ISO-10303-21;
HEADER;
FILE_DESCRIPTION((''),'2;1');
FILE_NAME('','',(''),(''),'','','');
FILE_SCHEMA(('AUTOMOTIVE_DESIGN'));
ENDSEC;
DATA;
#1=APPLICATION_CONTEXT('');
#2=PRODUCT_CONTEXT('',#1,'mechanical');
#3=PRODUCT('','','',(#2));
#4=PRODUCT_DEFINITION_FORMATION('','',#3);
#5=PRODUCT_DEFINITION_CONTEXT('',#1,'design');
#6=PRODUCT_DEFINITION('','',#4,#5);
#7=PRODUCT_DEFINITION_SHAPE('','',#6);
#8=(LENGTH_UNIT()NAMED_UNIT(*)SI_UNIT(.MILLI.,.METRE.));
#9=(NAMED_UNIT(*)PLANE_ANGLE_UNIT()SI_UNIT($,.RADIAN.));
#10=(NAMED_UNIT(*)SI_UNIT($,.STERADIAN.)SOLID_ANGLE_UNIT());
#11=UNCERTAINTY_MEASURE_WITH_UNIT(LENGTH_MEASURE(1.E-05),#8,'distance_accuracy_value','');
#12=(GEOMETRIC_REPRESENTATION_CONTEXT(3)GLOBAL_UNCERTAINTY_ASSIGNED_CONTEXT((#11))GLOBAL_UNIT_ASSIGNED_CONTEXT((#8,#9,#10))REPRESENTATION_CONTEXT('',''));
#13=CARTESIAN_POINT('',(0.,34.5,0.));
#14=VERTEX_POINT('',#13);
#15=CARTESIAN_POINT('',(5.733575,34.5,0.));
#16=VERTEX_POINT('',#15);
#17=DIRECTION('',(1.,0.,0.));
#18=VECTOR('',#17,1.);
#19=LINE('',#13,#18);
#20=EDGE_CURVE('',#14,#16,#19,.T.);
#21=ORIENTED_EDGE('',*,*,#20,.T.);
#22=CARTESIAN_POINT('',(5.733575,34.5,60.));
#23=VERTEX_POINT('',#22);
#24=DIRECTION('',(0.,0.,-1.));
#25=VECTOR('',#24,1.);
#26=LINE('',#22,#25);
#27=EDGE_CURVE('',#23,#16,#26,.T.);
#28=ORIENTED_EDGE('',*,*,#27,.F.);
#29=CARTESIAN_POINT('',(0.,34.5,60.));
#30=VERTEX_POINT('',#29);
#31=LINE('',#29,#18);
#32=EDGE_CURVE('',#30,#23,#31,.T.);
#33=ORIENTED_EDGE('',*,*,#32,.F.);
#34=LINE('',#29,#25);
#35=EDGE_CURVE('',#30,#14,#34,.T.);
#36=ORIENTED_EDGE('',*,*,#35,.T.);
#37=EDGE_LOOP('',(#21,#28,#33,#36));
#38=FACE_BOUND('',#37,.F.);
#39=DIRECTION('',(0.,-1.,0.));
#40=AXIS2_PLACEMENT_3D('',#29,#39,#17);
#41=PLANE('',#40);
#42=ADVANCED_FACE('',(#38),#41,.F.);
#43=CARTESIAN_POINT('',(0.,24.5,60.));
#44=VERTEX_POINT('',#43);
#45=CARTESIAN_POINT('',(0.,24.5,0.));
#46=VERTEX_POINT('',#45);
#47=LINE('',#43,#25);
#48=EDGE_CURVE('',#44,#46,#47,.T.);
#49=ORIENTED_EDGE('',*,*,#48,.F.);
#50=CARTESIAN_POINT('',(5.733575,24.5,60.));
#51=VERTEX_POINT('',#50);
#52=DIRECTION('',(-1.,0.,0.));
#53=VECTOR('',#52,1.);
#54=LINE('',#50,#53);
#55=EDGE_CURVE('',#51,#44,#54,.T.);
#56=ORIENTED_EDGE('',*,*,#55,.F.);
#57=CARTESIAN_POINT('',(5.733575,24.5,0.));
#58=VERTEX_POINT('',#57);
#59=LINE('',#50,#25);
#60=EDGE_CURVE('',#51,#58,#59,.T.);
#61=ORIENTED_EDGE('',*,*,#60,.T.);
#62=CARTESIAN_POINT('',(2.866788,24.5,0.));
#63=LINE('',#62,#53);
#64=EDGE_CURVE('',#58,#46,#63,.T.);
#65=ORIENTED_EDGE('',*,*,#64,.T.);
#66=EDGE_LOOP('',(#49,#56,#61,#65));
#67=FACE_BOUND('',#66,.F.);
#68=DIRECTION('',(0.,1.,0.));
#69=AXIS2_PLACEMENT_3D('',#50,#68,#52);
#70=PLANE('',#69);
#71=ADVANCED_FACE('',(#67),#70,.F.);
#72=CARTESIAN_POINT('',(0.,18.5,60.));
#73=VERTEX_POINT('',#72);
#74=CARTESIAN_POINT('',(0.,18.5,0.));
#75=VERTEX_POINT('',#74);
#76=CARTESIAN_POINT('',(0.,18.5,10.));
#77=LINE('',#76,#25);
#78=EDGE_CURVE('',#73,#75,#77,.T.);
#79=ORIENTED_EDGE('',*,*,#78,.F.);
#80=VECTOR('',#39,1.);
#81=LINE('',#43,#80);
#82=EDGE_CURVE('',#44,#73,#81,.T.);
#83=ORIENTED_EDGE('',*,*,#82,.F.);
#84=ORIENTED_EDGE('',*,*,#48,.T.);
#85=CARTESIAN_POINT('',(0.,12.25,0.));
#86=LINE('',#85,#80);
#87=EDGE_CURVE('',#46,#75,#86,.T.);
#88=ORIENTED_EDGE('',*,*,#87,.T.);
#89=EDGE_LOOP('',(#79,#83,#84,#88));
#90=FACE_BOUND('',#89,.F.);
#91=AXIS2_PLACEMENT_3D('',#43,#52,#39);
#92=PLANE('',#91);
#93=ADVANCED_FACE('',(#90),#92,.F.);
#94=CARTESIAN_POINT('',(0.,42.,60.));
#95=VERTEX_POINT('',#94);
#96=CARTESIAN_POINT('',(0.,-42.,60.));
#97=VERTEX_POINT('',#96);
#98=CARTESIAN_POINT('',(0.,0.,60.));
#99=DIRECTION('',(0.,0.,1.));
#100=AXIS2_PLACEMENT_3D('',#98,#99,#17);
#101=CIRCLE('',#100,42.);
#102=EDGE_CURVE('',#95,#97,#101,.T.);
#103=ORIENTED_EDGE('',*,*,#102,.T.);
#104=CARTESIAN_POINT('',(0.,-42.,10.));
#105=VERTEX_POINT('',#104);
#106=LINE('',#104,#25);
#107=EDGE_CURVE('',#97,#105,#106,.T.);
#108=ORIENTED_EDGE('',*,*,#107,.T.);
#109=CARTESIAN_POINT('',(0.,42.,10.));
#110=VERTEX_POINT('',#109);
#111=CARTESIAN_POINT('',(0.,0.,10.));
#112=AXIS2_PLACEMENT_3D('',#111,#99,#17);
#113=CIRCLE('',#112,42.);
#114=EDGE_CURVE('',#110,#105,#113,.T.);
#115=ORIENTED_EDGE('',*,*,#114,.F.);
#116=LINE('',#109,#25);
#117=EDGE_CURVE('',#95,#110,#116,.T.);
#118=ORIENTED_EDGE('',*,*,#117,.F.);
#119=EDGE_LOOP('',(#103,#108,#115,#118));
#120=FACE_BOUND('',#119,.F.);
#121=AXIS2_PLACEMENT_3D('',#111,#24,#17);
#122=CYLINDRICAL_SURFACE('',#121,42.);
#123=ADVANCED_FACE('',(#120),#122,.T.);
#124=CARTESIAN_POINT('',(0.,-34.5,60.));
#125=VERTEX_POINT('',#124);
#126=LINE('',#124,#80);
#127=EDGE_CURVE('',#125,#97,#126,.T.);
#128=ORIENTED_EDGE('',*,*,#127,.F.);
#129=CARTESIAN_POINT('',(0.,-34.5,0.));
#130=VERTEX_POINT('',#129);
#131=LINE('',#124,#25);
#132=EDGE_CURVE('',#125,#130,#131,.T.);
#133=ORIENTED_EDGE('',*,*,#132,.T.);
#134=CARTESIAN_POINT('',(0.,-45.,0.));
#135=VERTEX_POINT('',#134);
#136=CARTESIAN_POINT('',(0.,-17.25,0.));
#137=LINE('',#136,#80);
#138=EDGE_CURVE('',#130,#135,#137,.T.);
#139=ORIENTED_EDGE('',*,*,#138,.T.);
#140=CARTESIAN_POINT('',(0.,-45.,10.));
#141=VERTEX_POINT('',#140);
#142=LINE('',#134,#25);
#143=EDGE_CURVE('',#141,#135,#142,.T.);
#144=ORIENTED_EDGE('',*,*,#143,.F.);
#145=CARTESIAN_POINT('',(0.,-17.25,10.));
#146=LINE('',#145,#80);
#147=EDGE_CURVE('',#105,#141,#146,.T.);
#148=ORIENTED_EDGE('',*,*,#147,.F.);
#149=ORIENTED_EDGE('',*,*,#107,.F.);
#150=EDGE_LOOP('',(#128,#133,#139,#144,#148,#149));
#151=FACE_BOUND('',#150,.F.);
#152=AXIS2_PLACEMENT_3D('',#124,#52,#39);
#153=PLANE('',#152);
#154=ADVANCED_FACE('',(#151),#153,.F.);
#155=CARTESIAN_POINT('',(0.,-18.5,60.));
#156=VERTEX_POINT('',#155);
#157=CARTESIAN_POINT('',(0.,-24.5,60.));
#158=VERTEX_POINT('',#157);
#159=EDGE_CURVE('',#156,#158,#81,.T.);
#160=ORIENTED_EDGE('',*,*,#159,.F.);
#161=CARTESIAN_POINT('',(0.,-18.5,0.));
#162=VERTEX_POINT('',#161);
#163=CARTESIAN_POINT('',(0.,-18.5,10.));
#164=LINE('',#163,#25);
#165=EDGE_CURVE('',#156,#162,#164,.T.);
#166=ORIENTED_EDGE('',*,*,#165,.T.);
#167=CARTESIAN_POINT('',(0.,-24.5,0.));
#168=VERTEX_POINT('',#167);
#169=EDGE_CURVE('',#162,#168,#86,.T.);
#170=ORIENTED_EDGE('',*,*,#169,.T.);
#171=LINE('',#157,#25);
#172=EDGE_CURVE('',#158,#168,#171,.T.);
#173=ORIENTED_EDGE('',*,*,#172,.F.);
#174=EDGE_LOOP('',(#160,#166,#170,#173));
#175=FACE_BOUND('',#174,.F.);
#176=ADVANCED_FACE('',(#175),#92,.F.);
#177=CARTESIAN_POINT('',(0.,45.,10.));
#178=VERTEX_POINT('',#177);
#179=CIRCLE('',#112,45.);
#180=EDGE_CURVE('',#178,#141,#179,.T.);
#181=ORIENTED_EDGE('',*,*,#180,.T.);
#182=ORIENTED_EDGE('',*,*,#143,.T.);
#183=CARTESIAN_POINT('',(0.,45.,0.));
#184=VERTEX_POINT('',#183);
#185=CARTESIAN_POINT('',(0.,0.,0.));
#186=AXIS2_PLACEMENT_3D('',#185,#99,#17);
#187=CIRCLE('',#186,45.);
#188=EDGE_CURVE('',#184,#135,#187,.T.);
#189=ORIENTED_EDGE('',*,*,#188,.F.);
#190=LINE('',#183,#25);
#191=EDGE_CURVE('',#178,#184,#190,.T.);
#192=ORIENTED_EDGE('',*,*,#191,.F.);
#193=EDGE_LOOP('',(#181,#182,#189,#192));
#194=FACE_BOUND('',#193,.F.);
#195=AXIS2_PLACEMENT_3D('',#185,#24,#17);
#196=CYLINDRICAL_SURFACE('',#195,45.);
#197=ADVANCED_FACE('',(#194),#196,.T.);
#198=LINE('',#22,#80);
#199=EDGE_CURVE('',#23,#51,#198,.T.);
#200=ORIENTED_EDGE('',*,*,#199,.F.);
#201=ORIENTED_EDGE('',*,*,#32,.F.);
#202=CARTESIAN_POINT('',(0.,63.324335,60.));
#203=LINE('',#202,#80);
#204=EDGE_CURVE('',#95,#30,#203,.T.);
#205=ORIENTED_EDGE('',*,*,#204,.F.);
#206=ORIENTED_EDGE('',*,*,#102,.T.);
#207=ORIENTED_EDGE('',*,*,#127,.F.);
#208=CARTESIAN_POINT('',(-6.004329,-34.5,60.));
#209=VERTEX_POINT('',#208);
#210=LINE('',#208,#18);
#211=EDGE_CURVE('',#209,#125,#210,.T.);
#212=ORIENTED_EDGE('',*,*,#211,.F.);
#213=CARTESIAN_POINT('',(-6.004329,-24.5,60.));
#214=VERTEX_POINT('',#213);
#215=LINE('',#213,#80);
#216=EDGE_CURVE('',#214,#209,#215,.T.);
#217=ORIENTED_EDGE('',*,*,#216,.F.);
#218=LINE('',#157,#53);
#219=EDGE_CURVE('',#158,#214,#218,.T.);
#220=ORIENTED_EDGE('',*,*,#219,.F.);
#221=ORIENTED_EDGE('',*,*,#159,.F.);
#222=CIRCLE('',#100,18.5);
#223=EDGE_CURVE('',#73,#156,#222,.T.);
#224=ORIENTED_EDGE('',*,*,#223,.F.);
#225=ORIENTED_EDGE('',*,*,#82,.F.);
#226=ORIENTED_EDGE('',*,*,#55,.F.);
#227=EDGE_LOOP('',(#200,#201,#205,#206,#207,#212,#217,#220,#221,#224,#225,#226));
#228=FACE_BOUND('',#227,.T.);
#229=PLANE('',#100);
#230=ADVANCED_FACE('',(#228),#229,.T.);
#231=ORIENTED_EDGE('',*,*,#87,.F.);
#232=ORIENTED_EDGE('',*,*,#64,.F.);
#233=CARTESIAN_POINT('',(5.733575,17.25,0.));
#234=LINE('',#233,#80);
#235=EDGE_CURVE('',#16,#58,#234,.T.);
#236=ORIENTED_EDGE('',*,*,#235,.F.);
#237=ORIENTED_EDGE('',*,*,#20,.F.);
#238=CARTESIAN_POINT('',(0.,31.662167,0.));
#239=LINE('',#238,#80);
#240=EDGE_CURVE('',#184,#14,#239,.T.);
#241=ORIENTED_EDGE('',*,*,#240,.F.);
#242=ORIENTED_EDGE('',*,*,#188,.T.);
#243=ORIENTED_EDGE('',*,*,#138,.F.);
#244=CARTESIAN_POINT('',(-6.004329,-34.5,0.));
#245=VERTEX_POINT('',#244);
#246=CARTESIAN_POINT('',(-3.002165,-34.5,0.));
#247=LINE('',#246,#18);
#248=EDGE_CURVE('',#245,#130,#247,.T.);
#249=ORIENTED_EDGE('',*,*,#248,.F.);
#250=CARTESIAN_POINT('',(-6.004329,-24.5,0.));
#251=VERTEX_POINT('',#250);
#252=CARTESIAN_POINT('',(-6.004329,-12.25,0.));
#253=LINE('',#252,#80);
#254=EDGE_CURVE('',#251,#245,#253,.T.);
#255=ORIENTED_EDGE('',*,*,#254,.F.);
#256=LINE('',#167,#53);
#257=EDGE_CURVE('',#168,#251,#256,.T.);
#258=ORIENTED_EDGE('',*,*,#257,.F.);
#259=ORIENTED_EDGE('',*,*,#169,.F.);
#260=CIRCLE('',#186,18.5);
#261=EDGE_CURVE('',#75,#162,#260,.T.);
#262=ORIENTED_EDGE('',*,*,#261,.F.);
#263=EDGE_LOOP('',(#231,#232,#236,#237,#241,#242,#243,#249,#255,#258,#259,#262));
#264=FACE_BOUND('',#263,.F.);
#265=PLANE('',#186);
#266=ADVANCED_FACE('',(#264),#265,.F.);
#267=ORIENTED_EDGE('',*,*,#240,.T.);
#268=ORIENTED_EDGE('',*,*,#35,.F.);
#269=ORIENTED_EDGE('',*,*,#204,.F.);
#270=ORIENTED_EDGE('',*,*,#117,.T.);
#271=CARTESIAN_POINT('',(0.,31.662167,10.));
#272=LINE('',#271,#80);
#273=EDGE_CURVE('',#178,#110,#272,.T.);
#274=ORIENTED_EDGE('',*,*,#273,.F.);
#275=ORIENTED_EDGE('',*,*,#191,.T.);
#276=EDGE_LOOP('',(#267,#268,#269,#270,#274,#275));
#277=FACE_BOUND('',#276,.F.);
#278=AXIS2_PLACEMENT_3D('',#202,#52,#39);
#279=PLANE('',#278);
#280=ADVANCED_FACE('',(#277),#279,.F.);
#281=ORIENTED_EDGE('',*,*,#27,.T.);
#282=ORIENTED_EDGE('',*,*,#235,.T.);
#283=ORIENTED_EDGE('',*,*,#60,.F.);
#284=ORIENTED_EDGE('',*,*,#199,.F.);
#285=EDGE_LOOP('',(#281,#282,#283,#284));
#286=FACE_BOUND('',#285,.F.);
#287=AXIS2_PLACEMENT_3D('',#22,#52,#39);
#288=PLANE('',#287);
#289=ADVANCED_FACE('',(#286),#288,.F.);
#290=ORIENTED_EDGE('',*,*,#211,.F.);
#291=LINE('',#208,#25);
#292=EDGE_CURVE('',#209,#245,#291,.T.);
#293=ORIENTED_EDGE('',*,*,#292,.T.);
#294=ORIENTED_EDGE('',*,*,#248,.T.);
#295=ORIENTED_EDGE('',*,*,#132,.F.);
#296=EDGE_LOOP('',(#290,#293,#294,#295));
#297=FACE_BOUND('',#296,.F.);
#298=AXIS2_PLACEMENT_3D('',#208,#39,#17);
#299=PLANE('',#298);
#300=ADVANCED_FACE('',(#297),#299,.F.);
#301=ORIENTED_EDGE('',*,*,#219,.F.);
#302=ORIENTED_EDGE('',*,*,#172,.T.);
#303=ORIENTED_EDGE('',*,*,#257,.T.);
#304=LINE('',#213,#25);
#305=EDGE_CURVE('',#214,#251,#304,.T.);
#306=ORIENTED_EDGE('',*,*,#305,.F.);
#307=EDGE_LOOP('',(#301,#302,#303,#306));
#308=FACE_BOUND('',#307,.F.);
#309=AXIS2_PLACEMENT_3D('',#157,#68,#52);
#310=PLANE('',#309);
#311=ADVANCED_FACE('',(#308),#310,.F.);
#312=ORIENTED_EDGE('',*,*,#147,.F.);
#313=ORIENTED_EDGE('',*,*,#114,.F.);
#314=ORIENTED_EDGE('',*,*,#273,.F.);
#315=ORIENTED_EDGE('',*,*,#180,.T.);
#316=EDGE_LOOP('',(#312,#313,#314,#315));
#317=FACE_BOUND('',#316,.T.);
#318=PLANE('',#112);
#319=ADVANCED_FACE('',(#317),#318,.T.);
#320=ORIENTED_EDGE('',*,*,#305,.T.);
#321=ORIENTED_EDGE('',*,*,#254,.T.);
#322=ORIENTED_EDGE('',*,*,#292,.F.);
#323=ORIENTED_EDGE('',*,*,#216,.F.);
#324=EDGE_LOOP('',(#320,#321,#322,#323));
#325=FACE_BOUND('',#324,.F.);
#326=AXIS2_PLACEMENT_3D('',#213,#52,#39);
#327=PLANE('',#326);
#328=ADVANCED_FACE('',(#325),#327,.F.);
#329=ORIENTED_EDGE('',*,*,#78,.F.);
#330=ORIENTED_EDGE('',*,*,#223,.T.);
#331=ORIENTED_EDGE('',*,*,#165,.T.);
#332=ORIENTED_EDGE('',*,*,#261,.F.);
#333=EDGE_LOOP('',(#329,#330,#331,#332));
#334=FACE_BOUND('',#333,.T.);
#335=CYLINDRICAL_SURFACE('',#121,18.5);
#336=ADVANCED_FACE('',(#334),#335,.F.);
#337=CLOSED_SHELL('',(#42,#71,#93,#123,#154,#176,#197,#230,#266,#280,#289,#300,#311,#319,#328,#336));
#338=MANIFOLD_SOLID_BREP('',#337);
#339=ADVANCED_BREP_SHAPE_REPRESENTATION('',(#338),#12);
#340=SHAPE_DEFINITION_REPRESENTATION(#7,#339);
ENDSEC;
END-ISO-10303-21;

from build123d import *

# Parameters (mm, degrees)
F0_R     = 45
F0_R_2   = 18.5
F1_DEPTH = 10
F2_R     = 42
F2_R_2   = 18.5
F3_DEPTH = 50
F5_DEPTH = 79.80825


with BuildPart() as f1:
    # F0 (on Top) → F1 (new body)
    with BuildSketch(Plane.XY):
        Circle(F0_R)
        Circle(F0_R_2, mode=Mode.SUBTRACT)
    extrude(amount=F1_DEPTH)

    # F2 (on face) → F3 (join)
    with BuildSketch(Plane.XY.offset(10)):
        Circle(F2_R)
        Circle(F2_R_2, mode=Mode.SUBTRACT)
    extrude(amount=F3_DEPTH)

    # F4 (on face) → F5 (cut)
    with BuildSketch(Plane.XY.offset(60)):
        Polygon((64.068409, 63.324335), (0, 63.324335), (0, 34.5), (5.733575, 34.5), (5.733575, 24.5), (0, 24.5), (0, -24.5), (-6.004329, -24.5), (-6.004329, -34.5), (0, -34.5), (0, -52.819867), (64.068409, -52.819867), align=None)
    extrude(amount=-F5_DEPTH, mode=Mode.SUBTRACT)


solid = f1.part
